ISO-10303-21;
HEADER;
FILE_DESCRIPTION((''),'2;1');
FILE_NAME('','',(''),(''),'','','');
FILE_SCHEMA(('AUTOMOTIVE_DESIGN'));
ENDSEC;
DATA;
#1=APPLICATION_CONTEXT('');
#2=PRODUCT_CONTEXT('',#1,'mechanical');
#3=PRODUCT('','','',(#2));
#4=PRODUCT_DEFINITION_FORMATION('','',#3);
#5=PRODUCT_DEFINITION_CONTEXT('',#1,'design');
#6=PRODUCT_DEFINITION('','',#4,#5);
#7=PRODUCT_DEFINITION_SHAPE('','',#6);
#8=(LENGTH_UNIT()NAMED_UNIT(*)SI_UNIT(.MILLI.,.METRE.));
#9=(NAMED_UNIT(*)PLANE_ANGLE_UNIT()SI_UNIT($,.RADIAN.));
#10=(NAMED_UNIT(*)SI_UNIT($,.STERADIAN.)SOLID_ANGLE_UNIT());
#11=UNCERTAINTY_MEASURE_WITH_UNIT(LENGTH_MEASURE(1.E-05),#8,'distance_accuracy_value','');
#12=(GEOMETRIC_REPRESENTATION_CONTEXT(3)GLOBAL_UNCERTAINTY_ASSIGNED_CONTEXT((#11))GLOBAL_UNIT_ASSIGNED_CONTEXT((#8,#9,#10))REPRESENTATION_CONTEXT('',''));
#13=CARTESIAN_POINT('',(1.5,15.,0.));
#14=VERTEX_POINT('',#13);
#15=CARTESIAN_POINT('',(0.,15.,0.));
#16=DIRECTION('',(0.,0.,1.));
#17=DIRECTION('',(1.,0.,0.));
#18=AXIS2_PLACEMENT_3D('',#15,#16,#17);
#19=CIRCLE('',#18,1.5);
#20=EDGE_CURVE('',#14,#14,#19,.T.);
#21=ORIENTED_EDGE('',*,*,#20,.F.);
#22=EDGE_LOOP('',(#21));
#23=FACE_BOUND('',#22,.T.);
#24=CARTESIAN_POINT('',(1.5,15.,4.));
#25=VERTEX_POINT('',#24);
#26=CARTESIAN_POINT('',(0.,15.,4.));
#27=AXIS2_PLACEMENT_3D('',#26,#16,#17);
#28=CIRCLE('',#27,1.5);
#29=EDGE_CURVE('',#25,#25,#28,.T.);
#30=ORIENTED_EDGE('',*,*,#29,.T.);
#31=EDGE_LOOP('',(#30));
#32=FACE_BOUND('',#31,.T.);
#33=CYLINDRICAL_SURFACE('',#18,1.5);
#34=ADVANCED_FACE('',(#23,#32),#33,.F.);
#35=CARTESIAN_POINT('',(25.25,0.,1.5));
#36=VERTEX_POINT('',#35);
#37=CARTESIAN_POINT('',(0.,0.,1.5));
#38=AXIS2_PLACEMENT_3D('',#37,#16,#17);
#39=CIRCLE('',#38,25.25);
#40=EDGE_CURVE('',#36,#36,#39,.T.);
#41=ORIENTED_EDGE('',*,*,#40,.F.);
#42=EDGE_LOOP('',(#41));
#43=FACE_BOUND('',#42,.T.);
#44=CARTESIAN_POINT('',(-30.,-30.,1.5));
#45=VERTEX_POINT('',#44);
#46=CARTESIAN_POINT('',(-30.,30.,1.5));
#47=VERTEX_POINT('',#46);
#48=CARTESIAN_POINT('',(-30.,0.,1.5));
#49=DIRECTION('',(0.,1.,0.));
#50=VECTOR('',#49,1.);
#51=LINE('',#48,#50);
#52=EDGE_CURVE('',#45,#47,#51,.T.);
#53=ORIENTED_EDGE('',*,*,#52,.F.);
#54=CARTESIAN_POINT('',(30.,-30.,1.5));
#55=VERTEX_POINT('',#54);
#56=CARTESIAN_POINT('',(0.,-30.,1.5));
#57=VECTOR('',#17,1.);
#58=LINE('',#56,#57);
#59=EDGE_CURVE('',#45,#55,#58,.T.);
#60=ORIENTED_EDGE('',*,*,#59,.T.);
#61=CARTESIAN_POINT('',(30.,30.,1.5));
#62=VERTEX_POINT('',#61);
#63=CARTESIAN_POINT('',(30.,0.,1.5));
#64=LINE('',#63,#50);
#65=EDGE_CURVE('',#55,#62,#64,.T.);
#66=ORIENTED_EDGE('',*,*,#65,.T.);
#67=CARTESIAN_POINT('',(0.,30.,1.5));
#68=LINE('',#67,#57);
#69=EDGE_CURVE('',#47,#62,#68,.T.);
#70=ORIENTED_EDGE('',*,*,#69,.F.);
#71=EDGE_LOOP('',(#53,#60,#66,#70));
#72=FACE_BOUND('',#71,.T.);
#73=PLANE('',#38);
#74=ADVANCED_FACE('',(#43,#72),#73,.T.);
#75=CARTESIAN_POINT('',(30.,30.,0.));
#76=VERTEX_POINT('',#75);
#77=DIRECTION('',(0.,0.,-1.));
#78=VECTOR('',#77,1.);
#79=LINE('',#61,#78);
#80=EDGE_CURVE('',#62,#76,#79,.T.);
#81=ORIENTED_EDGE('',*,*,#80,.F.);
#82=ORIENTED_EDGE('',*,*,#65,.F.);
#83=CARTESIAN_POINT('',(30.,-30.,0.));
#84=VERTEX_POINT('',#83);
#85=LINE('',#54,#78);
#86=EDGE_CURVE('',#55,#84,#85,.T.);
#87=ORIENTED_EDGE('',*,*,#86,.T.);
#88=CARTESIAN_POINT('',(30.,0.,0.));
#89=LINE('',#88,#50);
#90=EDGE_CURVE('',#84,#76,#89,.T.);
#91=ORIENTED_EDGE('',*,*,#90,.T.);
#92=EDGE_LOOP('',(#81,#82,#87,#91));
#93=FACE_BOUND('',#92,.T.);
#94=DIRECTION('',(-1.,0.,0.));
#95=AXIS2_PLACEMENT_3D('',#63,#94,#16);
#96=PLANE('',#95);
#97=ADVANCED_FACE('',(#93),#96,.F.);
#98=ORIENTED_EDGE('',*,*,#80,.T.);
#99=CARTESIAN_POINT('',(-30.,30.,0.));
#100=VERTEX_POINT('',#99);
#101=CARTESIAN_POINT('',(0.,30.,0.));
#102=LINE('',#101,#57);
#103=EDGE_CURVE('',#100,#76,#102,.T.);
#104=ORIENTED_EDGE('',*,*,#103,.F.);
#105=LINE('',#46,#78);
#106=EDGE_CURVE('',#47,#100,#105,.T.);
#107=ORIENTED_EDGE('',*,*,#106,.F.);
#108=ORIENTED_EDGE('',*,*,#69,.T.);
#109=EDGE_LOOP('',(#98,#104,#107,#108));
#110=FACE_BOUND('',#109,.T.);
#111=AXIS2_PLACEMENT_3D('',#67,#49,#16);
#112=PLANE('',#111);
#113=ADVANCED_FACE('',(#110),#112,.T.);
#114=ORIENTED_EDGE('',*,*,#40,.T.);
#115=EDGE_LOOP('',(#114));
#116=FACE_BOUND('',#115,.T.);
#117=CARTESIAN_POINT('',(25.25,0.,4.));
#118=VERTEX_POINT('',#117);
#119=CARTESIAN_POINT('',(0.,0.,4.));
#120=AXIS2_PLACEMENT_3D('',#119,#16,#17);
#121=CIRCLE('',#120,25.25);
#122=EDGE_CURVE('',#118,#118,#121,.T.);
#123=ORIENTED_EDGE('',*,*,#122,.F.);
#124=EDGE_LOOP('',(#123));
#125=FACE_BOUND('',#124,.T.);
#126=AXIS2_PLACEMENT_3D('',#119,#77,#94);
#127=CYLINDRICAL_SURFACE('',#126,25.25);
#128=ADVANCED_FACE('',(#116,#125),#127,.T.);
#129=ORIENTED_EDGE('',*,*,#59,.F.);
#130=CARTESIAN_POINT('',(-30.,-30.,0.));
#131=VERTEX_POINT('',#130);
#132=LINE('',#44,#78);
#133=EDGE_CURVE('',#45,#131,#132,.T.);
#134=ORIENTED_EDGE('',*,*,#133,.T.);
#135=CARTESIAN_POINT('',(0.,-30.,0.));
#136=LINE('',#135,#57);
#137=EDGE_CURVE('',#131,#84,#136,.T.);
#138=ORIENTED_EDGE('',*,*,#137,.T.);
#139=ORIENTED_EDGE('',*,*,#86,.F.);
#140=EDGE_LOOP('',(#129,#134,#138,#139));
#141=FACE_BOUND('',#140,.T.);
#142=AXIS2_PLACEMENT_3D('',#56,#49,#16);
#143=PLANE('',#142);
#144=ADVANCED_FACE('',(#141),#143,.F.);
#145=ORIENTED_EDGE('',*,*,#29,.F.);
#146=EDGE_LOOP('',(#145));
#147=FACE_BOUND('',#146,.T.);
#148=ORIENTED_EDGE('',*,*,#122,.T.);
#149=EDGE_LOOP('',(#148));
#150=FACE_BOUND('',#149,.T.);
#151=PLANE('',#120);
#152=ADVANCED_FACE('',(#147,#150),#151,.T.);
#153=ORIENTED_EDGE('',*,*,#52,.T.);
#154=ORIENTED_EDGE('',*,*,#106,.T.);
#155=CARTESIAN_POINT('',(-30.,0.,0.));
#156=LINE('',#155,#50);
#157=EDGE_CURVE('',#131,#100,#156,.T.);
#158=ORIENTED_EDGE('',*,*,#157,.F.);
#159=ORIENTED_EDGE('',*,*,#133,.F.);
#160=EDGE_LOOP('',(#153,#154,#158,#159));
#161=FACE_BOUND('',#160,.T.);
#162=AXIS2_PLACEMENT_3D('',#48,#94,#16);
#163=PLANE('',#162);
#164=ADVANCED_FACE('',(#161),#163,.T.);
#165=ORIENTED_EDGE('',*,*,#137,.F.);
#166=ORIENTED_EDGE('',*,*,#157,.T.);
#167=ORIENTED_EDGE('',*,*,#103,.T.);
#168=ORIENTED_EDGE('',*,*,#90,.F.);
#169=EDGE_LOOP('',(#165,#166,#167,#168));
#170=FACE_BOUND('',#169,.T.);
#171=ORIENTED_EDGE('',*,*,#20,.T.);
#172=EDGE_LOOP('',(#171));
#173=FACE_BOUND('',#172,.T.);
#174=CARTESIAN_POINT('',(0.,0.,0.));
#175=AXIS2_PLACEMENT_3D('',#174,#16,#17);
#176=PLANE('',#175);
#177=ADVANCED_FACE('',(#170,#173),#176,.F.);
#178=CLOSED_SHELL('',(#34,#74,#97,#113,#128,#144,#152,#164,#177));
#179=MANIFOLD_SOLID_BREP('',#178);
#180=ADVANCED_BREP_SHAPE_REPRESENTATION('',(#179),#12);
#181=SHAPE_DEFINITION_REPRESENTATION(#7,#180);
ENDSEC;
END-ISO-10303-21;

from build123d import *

# Parameters (mm, degrees)
SKETCH1_R           = 25.25
BOSS_EXTRUDE1_DEPTH = 4
SKETCH1_4_W         = 60
SKETCH1_4_H         = 60
SKETCH1_4_R         = 25.25
BOSS_EXTRUDE2_DEPTH = 1.5
SKETCH2_R           = 1.5
CUT_EXTRUDE1_DEPTH  = 43.614551505


with BuildPart() as part:
    # Sketch1 → Boss-Extrude1 (new body)
    with BuildSketch(Plane.XY):
        Circle(SKETCH1_R)
    extrude(amount=BOSS_EXTRUDE1_DEPTH)

    # Sketch1<4> → Boss-Extrude2 (add)
    with BuildSketch(Plane.XY):
        Rectangle(SKETCH1_4_W, SKETCH1_4_H)
        Circle(SKETCH1_4_R, mode=Mode.SUBTRACT)
    extrude(amount=BOSS_EXTRUDE2_DEPTH)

    # Sketch2 → Cut-Extrude1 (cut, through all)
    with BuildSketch(Plane.XY.offset(4)):
        with Locations((0, 15)):
            Circle(SKETCH2_R)
    extrude(amount=-CUT_EXTRUDE1_DEPTH, mode=Mode.SUBTRACT)


solid = part.part
